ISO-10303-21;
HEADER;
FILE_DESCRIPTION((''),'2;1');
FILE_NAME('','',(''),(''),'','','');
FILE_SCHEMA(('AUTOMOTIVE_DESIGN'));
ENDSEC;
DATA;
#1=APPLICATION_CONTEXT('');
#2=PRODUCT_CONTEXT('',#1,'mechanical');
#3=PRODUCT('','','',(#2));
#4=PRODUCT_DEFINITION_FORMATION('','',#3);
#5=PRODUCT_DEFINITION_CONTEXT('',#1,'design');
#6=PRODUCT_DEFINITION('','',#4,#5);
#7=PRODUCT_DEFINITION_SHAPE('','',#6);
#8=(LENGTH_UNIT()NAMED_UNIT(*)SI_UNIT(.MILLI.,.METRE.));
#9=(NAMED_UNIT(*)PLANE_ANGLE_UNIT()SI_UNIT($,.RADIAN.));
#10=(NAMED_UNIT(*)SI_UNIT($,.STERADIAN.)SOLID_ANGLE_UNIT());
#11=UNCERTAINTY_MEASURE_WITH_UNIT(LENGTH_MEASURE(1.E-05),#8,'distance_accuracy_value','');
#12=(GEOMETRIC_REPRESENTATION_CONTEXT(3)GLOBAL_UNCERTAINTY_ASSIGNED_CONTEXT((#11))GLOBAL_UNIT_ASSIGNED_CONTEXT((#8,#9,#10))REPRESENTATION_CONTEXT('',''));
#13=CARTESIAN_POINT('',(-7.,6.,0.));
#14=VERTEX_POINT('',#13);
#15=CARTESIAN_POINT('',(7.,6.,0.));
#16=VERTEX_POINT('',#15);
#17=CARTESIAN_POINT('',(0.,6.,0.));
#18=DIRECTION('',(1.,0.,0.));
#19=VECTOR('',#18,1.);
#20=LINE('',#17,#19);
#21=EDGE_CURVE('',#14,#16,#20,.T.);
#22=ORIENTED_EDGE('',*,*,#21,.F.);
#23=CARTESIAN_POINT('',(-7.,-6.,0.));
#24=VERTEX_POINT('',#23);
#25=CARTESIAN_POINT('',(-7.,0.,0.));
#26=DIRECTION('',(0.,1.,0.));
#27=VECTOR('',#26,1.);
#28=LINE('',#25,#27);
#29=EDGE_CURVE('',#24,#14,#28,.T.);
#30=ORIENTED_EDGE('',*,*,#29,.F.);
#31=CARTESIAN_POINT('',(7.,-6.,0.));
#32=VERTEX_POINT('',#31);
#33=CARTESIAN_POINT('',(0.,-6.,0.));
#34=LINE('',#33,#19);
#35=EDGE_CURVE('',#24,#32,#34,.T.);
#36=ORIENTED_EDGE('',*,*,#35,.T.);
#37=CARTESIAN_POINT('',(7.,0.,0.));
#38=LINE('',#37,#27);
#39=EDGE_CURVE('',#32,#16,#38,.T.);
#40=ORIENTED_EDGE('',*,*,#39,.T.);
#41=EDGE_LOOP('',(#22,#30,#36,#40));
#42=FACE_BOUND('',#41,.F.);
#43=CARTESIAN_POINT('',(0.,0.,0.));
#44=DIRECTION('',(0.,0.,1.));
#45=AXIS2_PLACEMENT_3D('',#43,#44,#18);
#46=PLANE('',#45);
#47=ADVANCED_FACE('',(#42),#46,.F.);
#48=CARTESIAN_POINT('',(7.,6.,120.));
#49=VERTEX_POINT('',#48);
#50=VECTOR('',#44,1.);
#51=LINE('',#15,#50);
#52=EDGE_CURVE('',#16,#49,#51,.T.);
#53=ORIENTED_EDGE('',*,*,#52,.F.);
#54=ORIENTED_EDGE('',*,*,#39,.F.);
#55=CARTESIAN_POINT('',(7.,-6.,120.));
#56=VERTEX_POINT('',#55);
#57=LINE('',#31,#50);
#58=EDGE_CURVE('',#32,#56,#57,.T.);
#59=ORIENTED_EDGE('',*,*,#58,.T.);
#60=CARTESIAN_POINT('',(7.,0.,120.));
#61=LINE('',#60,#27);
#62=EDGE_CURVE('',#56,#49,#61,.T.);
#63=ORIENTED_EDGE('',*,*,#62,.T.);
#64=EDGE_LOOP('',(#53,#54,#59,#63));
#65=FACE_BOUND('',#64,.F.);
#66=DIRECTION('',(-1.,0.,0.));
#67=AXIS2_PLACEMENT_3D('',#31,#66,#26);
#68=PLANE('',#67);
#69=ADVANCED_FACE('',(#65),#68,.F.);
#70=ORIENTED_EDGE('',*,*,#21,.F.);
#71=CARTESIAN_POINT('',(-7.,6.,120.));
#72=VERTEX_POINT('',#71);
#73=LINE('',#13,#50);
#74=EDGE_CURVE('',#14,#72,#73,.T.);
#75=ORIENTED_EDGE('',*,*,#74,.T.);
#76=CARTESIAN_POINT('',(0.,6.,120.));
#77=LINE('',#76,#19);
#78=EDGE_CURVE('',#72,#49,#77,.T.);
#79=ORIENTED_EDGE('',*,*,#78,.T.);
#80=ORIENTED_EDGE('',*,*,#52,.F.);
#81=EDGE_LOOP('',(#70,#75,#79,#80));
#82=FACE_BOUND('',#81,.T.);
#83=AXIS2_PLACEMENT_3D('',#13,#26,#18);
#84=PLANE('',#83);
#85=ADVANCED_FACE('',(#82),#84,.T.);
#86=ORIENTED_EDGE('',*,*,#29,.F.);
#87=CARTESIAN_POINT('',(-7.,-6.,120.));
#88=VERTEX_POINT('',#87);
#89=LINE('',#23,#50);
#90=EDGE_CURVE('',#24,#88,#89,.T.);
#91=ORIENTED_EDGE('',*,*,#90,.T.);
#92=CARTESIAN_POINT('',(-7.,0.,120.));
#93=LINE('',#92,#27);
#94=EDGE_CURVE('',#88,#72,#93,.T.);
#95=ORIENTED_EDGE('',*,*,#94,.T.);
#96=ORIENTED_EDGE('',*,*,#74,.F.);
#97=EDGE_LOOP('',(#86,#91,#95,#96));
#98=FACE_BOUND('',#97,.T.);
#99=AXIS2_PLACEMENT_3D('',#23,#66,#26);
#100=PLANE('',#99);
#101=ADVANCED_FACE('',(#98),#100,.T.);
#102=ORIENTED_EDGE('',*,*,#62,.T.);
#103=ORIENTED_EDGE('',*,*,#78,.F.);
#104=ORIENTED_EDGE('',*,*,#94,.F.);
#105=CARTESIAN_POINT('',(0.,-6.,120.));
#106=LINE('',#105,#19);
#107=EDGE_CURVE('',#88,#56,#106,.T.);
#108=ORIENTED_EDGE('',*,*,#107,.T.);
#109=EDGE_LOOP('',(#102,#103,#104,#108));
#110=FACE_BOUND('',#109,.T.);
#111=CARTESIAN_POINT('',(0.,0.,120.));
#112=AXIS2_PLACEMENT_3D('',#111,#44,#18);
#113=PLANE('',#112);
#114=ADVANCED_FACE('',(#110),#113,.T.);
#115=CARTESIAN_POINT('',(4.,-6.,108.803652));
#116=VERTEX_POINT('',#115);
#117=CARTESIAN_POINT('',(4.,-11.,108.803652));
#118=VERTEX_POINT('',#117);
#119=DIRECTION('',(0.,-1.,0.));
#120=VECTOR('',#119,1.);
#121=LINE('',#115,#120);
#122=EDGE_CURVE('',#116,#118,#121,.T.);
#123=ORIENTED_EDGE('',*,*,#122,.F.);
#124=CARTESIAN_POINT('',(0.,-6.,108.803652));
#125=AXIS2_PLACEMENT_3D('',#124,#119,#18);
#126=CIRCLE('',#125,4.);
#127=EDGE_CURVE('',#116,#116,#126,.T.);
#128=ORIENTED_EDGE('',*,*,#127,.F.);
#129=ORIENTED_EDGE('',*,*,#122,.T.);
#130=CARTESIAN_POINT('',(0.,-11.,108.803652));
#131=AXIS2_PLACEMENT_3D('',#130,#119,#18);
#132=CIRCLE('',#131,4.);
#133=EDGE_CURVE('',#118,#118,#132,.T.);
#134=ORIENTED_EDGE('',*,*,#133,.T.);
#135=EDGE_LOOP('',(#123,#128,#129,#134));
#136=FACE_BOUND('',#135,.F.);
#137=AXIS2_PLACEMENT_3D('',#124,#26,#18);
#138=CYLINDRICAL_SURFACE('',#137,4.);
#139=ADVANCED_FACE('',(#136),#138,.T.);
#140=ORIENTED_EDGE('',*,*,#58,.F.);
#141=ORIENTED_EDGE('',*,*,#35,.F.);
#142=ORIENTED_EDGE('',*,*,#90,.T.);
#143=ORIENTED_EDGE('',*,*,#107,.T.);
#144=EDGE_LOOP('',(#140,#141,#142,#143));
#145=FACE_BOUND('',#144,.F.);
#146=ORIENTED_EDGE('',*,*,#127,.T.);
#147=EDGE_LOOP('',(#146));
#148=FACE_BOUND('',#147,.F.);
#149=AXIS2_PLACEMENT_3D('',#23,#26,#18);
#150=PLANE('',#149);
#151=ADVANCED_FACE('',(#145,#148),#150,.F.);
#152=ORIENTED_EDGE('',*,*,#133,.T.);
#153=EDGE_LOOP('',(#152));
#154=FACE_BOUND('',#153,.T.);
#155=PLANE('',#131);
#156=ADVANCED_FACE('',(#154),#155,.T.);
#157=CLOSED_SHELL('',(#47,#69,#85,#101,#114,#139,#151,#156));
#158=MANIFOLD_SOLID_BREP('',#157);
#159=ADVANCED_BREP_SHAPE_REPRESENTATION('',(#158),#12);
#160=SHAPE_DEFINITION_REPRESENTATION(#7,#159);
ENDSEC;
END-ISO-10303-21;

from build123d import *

# Parameters (mm, degrees)
F0_W     = 14
F0_H     = 12
F1_DEPTH = 120
F2_R     = 4
F3_DEPTH = 5


with BuildPart() as f1:
    # F0 (on Top) → F1 (new body)
    with BuildSketch(Plane.XY):
        Rectangle(F0_W, F0_H)
    extrude(amount=F1_DEPTH)

    # F2 (on face) → F3 (join)
    with BuildSketch(Plane.XZ.offset(6)):
        with Locations((0, 108.803652)):
            Circle(F2_R)
    extrude(amount=F3_DEPTH)


solid = f1.part
